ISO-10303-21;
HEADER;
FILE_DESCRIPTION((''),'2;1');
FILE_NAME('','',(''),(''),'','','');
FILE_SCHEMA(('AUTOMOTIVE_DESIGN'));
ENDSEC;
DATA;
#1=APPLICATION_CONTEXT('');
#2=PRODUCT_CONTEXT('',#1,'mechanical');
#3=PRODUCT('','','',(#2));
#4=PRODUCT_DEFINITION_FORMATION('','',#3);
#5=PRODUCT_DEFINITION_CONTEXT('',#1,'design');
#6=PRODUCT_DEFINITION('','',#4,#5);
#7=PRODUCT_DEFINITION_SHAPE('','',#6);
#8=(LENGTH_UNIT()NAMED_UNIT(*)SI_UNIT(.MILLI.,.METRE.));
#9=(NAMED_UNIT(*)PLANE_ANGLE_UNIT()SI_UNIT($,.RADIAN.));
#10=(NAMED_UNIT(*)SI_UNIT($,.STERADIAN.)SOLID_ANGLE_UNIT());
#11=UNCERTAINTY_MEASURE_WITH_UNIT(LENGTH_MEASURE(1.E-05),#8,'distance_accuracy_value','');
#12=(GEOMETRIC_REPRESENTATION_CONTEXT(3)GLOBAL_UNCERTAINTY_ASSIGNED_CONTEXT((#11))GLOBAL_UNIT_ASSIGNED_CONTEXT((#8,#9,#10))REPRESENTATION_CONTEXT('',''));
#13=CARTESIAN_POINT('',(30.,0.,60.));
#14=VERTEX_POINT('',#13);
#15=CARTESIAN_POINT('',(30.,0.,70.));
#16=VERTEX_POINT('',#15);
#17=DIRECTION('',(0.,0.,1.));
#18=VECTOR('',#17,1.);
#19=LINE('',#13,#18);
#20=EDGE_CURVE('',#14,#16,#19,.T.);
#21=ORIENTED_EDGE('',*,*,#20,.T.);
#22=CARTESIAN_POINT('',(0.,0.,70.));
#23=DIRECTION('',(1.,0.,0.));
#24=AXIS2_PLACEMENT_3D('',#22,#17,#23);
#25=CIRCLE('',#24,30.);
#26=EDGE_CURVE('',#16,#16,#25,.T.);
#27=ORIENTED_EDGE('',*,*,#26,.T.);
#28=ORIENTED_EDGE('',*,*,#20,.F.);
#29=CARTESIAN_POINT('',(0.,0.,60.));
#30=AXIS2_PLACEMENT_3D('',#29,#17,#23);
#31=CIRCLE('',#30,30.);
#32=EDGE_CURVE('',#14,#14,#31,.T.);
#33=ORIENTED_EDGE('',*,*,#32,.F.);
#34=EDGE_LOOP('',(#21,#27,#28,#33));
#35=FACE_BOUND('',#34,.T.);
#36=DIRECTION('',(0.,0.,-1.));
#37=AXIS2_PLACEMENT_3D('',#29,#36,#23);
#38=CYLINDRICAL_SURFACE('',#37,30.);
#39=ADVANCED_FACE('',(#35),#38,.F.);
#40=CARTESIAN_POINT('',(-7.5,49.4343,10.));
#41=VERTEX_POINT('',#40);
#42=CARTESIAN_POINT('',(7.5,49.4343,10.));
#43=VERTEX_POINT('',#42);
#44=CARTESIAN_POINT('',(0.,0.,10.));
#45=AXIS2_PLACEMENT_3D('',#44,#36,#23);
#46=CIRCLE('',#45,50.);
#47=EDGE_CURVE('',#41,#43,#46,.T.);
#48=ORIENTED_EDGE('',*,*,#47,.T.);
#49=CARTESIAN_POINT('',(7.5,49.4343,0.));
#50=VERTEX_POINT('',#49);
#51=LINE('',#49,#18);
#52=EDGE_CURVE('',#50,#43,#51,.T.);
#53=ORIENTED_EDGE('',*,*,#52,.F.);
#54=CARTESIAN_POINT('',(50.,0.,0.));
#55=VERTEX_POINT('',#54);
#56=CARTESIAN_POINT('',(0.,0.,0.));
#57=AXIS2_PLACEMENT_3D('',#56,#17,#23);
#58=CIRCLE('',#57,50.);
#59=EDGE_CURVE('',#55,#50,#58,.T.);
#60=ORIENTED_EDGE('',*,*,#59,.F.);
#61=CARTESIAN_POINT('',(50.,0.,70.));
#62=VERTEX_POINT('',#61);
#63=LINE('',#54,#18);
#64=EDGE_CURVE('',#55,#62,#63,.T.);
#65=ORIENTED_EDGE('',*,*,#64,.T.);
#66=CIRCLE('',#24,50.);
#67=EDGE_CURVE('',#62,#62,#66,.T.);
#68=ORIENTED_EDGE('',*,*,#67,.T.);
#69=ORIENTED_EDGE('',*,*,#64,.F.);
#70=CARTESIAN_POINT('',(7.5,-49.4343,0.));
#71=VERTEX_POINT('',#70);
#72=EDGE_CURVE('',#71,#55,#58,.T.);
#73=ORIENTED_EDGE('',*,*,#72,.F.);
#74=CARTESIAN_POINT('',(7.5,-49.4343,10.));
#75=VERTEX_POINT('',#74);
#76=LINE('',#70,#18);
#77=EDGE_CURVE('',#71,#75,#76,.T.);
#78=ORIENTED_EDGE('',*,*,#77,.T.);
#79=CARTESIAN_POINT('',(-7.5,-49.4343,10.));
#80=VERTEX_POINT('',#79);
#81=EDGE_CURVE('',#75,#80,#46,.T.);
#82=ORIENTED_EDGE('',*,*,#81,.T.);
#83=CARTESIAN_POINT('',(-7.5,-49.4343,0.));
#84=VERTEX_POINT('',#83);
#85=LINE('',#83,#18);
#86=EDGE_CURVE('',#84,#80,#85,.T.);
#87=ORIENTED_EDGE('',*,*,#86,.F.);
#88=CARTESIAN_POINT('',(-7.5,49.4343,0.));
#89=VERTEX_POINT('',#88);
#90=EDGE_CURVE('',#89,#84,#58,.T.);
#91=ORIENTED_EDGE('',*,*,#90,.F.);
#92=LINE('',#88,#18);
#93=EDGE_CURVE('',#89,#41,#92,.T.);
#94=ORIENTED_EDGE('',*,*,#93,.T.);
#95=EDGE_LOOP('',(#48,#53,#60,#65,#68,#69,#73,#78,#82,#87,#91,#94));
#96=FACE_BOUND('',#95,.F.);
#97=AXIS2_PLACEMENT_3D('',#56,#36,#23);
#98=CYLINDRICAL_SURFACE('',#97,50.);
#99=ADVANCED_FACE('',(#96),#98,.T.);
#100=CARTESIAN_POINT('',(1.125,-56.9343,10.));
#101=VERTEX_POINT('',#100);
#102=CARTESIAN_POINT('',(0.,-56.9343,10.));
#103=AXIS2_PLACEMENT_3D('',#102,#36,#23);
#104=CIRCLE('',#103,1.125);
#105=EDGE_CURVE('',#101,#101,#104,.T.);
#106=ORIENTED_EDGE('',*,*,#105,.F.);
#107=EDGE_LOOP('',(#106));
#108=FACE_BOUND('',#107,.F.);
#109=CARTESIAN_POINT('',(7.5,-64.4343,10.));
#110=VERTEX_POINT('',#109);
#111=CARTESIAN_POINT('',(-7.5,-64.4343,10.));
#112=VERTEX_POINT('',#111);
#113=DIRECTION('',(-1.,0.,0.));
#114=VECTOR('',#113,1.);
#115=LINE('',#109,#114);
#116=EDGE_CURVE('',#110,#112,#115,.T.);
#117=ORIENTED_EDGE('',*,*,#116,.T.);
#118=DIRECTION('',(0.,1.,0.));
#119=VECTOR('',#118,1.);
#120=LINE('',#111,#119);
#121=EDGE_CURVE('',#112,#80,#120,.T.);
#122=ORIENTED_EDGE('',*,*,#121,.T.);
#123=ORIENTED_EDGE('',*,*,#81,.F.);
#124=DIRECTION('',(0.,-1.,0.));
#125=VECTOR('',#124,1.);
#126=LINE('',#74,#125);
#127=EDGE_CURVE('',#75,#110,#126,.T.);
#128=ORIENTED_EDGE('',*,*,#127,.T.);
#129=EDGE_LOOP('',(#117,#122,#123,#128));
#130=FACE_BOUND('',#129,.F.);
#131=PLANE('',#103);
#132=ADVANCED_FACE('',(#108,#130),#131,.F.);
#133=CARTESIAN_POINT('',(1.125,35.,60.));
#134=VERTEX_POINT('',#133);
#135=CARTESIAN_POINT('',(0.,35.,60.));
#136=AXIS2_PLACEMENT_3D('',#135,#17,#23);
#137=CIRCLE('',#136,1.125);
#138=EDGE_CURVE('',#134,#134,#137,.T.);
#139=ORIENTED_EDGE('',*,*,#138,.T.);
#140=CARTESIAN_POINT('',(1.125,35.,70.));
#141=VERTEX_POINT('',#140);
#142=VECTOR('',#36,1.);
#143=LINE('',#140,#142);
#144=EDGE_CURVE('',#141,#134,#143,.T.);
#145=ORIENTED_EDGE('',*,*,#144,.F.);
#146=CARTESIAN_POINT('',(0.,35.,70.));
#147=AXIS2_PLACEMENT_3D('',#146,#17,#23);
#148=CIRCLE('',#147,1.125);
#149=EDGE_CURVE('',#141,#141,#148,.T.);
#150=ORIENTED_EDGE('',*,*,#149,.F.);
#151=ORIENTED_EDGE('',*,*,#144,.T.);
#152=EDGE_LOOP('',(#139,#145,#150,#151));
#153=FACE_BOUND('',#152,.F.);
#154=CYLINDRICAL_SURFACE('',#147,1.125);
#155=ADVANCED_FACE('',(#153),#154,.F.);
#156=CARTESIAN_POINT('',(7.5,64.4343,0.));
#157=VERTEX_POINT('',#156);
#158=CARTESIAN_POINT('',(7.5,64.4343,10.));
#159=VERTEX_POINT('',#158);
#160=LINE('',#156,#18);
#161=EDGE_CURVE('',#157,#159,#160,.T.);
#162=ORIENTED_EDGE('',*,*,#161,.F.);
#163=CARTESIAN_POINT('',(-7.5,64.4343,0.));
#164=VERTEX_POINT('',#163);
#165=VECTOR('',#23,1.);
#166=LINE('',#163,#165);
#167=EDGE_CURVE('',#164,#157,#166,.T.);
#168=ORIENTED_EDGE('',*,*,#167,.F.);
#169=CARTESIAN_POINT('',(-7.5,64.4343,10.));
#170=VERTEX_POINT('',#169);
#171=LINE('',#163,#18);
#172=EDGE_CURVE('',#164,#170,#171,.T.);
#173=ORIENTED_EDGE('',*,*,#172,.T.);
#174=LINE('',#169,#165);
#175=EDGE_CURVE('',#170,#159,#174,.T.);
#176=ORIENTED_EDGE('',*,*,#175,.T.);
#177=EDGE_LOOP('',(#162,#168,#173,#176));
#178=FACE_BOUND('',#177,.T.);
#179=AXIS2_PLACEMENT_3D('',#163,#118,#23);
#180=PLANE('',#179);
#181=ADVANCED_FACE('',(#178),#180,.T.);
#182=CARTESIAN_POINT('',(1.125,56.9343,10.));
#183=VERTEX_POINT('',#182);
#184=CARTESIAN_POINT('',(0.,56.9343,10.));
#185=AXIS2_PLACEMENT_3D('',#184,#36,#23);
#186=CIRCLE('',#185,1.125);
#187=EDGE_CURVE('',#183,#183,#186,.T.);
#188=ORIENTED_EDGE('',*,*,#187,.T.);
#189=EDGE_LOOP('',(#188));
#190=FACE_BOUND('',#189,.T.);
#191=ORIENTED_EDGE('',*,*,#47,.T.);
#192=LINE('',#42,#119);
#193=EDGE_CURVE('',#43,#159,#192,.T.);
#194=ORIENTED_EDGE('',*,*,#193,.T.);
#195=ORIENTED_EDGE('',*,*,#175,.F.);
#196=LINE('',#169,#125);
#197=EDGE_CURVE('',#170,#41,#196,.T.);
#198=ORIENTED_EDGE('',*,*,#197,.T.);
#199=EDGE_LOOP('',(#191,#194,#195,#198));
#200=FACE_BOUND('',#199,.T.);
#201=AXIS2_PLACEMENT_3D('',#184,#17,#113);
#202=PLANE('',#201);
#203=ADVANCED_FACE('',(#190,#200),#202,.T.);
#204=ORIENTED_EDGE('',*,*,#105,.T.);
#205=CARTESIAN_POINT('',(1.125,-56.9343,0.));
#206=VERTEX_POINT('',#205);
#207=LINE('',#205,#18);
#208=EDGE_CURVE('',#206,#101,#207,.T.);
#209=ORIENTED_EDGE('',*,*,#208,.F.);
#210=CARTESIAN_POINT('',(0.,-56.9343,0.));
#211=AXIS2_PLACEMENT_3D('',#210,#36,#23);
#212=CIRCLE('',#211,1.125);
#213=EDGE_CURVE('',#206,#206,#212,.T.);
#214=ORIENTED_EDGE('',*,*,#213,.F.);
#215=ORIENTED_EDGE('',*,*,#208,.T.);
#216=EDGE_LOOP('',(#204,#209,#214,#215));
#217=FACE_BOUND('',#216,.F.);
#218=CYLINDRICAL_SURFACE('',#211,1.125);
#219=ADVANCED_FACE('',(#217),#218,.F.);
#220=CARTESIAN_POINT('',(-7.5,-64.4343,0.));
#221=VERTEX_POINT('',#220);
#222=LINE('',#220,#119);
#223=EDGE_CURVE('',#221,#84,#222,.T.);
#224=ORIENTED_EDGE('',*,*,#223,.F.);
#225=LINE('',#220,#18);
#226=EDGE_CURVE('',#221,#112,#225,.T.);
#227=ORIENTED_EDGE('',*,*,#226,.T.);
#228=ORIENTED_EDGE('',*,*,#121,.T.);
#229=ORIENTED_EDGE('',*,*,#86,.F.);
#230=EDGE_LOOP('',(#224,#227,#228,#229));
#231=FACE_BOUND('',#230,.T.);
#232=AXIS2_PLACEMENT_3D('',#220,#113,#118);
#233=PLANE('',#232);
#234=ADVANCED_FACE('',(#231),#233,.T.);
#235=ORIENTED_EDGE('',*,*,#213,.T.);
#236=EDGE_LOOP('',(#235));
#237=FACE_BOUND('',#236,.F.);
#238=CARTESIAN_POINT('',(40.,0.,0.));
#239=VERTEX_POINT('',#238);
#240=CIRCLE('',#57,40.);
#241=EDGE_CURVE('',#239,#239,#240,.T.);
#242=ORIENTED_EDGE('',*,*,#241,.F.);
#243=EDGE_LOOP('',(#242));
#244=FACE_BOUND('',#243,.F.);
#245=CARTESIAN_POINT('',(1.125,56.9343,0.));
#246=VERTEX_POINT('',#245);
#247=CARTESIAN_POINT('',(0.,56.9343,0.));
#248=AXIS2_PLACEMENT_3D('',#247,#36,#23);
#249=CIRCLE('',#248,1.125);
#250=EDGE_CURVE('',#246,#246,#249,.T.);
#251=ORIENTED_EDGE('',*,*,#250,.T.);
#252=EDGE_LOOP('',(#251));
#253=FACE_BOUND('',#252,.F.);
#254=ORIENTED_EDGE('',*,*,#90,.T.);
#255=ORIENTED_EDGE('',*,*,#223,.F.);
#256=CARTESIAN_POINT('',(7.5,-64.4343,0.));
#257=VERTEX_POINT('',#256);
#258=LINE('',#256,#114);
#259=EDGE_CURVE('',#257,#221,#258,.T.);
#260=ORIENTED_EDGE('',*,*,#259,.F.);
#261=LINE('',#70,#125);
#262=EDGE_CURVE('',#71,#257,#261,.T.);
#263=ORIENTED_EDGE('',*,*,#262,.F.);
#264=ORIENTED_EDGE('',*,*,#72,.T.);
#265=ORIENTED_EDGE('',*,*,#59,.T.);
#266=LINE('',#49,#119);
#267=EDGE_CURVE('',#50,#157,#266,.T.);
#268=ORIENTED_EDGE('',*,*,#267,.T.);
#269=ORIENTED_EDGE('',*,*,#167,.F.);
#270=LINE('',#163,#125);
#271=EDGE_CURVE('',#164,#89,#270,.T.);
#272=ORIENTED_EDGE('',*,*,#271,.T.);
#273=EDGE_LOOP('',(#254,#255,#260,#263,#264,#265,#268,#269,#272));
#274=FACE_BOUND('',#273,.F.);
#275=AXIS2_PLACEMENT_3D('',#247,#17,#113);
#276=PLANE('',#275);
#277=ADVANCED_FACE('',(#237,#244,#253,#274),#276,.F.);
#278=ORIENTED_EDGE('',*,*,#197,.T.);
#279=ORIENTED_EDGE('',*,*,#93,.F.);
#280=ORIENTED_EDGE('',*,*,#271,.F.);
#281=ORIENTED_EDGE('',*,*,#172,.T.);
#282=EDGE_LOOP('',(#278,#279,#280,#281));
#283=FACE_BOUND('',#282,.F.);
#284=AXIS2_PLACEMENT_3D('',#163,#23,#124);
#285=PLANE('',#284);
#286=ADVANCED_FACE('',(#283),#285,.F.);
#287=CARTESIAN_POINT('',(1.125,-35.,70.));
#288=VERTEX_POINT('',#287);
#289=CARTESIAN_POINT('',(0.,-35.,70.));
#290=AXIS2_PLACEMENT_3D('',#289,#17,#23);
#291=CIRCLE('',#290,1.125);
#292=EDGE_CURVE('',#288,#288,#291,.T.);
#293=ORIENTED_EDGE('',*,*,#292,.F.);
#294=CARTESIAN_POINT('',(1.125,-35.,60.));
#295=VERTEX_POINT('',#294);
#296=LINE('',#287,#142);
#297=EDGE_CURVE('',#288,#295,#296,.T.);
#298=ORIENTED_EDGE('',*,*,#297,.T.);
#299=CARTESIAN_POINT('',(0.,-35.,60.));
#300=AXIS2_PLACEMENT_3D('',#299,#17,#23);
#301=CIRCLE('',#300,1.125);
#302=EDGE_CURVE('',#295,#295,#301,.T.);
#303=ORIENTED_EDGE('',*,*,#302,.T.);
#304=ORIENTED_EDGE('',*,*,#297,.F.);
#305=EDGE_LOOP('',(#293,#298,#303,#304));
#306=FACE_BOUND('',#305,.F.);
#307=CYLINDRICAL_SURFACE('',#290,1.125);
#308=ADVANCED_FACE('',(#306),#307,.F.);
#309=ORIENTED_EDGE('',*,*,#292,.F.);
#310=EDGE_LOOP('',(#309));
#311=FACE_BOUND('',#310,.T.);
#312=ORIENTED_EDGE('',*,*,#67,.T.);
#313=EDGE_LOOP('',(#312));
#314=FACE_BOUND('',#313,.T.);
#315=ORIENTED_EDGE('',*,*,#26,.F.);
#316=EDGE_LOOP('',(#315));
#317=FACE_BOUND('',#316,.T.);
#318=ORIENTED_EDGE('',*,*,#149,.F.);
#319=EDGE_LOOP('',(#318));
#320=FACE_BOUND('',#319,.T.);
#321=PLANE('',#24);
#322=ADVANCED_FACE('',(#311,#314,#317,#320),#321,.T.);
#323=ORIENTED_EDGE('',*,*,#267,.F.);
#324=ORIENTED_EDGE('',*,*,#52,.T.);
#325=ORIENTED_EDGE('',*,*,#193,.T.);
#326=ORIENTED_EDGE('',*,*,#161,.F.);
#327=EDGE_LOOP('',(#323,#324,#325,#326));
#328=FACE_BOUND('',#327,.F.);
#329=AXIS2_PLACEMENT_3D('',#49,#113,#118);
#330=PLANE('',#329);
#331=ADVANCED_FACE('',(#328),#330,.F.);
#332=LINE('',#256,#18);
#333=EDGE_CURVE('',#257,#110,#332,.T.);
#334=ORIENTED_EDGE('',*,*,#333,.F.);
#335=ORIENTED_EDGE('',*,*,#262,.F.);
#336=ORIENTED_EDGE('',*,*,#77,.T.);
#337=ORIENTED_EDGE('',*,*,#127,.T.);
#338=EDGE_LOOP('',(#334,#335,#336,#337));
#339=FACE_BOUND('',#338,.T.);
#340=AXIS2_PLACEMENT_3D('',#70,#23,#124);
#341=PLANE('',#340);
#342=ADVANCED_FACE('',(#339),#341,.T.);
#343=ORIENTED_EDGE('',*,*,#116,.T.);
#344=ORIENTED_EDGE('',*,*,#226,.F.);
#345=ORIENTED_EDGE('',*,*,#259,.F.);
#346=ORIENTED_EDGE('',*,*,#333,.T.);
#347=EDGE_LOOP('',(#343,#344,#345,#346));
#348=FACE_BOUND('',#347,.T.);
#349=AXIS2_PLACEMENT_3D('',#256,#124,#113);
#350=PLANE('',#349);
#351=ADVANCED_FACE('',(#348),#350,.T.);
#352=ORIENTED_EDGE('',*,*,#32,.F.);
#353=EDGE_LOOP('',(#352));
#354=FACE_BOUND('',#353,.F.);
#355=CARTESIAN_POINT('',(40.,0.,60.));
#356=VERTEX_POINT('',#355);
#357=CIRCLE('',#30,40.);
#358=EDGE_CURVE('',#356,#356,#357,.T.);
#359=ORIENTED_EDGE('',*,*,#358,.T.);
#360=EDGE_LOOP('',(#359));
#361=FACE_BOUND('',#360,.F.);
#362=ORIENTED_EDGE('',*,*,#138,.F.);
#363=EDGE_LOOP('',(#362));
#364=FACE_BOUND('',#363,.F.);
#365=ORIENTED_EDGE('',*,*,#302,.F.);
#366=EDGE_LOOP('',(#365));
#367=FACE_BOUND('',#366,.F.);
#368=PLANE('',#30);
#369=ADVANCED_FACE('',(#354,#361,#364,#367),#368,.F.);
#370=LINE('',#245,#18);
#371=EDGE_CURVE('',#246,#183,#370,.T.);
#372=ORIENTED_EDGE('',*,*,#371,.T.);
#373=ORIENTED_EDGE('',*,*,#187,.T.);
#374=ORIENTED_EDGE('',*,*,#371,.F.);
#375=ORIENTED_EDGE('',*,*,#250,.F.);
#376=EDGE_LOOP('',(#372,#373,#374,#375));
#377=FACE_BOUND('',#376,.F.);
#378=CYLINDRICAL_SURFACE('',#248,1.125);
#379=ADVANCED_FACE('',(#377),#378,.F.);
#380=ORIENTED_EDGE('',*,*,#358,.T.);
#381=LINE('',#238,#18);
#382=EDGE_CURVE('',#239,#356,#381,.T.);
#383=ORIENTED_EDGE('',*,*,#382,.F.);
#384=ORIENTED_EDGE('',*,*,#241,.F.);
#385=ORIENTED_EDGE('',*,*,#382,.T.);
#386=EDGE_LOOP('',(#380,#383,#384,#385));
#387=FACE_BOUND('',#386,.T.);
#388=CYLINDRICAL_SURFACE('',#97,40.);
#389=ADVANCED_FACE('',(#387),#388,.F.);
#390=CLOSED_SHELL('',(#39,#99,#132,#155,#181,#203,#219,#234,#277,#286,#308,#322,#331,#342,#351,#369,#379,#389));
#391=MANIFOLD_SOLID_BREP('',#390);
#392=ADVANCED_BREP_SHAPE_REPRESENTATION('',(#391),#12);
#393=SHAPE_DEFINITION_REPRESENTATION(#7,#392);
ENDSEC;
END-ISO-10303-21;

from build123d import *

# Parameters (mm, degrees)
SKETCH001_R      = 1.125
EXTRUDE001_DEPTH = 10
SKETCH_R         = 1.125
EXTRUDE_DEPTH    = 10
TUBE001_R        = 40
TUBE001_R_2      = 30
TUBE001_DEPTH    = 10
TUBE_R           = 50
TUBE_R_2         = 40
TUBE_DEPTH       = 70


with BuildPart() as extrude001:
    # Sketch001 (on Face21 of Fusion001) → Extrude001 (new body)
    with BuildSketch(Plane.XY.offset(70)):
        with Locations((0, 35)):
            Circle(SKETCH001_R)
        with Locations((0, -35)):
            Circle(SKETCH001_R)
    extrude(amount=-EXTRUDE001_DEPTH)


with BuildPart() as extrude_body:
    # Sketch (on Face3 of Tube) → Extrude (new body)
    with BuildSketch(Plane(origin=(0, 0, 0), x_dir=(1, 0, 0), z_dir=(0, 0, -1))):
        Polygon((7.5, 49.4343), (7.5, 64.4343), (0, 64.4343), (-7.5, 64.4343), (-7.5, 49.4343), (0, 49.4343), align=None)
        with Locations((0, 56.9343)):
            Circle(SKETCH_R, mode=Mode.SUBTRACT)
        Polygon((7.5, -49.4343), (7.5, -64.4343), (0, -64.4343), (-7.5, -64.4343), (-7.5, -49.4343), (0, -49.4343), align=None)
        with Locations((0, -56.9343)):
            Circle(SKETCH_R, mode=Mode.SUBTRACT)
    extrude(amount=-EXTRUDE_DEPTH)


with BuildPart() as tube001:
    # Tube001 → Tube001 (new body)
    with BuildSketch(Plane.XY.offset(60)):
        Circle(TUBE001_R)
        Circle(TUBE001_R_2, mode=Mode.SUBTRACT)
    extrude(amount=TUBE001_DEPTH)


with BuildPart() as bigredbuttonmount001:
    # Tube → Tube (new body)
    with BuildSketch(Plane.XY):
        Circle(TUBE_R)
        Circle(TUBE_R_2, mode=Mode.SUBTRACT)
    extrude(amount=TUBE_DEPTH)

    # Fusion: union Tube001
    add(tube001.part)

    # Fusion001: union Extrude body
    add(extrude_body.part)

    # Cut: cut Extrude001
    add(extrude001.part, mode=Mode.SUBTRACT)


solid = bigredbuttonmount001.part
